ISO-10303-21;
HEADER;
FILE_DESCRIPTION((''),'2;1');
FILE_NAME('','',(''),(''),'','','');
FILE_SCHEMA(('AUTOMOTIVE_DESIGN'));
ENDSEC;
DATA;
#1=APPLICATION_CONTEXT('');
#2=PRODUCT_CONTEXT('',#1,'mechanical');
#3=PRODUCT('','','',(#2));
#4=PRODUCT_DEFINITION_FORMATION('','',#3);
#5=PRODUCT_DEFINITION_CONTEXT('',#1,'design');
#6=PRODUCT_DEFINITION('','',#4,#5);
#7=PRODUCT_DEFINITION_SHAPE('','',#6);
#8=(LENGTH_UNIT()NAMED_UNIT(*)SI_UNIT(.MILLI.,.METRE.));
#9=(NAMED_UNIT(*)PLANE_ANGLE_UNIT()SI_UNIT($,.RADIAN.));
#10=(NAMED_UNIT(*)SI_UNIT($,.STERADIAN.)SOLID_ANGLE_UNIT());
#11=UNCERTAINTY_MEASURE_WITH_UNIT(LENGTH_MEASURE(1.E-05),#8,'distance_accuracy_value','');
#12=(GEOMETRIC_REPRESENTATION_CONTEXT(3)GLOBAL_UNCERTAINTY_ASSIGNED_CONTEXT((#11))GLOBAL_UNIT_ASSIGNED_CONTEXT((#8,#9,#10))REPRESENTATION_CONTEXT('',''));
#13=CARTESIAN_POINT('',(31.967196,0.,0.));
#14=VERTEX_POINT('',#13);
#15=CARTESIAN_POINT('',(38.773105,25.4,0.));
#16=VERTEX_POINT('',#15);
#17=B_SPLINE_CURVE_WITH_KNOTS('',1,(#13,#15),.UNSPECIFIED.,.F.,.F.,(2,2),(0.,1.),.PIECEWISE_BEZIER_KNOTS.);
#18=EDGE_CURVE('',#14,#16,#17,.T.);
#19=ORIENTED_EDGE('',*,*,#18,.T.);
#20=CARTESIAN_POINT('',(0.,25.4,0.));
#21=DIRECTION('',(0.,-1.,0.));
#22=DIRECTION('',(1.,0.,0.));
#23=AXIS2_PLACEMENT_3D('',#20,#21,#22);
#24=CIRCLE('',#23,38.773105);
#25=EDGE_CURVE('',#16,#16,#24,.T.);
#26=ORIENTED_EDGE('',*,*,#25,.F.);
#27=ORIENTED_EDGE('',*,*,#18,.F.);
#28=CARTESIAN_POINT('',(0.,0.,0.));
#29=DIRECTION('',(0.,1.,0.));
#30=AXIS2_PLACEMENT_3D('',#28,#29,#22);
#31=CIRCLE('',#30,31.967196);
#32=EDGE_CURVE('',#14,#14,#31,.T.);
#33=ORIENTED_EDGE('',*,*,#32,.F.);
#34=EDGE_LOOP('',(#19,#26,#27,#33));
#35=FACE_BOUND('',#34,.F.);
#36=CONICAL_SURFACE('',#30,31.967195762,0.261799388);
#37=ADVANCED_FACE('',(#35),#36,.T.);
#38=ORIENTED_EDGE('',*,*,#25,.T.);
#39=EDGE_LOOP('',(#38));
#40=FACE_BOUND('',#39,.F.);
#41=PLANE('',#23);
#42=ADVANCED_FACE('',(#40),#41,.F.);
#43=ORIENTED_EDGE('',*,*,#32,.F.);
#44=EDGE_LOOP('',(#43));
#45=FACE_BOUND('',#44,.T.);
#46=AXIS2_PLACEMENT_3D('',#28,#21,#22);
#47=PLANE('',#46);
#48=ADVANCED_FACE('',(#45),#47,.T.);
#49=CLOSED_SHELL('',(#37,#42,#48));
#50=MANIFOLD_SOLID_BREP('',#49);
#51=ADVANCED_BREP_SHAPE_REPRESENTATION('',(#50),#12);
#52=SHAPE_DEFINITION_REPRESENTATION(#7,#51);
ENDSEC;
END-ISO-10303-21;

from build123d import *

# Parameters (mm, degrees)
F0_R     = 31.9671957616
F1_DEPTH = 25.4
F1_TAPER = -15


with BuildPart() as f1:
    # F0 (on Front) → F1 (new body)
    with BuildSketch(Plane.XZ):
        Circle(F0_R)
    extrude(amount=-F1_DEPTH, taper=F1_TAPER)


solid = f1.part
